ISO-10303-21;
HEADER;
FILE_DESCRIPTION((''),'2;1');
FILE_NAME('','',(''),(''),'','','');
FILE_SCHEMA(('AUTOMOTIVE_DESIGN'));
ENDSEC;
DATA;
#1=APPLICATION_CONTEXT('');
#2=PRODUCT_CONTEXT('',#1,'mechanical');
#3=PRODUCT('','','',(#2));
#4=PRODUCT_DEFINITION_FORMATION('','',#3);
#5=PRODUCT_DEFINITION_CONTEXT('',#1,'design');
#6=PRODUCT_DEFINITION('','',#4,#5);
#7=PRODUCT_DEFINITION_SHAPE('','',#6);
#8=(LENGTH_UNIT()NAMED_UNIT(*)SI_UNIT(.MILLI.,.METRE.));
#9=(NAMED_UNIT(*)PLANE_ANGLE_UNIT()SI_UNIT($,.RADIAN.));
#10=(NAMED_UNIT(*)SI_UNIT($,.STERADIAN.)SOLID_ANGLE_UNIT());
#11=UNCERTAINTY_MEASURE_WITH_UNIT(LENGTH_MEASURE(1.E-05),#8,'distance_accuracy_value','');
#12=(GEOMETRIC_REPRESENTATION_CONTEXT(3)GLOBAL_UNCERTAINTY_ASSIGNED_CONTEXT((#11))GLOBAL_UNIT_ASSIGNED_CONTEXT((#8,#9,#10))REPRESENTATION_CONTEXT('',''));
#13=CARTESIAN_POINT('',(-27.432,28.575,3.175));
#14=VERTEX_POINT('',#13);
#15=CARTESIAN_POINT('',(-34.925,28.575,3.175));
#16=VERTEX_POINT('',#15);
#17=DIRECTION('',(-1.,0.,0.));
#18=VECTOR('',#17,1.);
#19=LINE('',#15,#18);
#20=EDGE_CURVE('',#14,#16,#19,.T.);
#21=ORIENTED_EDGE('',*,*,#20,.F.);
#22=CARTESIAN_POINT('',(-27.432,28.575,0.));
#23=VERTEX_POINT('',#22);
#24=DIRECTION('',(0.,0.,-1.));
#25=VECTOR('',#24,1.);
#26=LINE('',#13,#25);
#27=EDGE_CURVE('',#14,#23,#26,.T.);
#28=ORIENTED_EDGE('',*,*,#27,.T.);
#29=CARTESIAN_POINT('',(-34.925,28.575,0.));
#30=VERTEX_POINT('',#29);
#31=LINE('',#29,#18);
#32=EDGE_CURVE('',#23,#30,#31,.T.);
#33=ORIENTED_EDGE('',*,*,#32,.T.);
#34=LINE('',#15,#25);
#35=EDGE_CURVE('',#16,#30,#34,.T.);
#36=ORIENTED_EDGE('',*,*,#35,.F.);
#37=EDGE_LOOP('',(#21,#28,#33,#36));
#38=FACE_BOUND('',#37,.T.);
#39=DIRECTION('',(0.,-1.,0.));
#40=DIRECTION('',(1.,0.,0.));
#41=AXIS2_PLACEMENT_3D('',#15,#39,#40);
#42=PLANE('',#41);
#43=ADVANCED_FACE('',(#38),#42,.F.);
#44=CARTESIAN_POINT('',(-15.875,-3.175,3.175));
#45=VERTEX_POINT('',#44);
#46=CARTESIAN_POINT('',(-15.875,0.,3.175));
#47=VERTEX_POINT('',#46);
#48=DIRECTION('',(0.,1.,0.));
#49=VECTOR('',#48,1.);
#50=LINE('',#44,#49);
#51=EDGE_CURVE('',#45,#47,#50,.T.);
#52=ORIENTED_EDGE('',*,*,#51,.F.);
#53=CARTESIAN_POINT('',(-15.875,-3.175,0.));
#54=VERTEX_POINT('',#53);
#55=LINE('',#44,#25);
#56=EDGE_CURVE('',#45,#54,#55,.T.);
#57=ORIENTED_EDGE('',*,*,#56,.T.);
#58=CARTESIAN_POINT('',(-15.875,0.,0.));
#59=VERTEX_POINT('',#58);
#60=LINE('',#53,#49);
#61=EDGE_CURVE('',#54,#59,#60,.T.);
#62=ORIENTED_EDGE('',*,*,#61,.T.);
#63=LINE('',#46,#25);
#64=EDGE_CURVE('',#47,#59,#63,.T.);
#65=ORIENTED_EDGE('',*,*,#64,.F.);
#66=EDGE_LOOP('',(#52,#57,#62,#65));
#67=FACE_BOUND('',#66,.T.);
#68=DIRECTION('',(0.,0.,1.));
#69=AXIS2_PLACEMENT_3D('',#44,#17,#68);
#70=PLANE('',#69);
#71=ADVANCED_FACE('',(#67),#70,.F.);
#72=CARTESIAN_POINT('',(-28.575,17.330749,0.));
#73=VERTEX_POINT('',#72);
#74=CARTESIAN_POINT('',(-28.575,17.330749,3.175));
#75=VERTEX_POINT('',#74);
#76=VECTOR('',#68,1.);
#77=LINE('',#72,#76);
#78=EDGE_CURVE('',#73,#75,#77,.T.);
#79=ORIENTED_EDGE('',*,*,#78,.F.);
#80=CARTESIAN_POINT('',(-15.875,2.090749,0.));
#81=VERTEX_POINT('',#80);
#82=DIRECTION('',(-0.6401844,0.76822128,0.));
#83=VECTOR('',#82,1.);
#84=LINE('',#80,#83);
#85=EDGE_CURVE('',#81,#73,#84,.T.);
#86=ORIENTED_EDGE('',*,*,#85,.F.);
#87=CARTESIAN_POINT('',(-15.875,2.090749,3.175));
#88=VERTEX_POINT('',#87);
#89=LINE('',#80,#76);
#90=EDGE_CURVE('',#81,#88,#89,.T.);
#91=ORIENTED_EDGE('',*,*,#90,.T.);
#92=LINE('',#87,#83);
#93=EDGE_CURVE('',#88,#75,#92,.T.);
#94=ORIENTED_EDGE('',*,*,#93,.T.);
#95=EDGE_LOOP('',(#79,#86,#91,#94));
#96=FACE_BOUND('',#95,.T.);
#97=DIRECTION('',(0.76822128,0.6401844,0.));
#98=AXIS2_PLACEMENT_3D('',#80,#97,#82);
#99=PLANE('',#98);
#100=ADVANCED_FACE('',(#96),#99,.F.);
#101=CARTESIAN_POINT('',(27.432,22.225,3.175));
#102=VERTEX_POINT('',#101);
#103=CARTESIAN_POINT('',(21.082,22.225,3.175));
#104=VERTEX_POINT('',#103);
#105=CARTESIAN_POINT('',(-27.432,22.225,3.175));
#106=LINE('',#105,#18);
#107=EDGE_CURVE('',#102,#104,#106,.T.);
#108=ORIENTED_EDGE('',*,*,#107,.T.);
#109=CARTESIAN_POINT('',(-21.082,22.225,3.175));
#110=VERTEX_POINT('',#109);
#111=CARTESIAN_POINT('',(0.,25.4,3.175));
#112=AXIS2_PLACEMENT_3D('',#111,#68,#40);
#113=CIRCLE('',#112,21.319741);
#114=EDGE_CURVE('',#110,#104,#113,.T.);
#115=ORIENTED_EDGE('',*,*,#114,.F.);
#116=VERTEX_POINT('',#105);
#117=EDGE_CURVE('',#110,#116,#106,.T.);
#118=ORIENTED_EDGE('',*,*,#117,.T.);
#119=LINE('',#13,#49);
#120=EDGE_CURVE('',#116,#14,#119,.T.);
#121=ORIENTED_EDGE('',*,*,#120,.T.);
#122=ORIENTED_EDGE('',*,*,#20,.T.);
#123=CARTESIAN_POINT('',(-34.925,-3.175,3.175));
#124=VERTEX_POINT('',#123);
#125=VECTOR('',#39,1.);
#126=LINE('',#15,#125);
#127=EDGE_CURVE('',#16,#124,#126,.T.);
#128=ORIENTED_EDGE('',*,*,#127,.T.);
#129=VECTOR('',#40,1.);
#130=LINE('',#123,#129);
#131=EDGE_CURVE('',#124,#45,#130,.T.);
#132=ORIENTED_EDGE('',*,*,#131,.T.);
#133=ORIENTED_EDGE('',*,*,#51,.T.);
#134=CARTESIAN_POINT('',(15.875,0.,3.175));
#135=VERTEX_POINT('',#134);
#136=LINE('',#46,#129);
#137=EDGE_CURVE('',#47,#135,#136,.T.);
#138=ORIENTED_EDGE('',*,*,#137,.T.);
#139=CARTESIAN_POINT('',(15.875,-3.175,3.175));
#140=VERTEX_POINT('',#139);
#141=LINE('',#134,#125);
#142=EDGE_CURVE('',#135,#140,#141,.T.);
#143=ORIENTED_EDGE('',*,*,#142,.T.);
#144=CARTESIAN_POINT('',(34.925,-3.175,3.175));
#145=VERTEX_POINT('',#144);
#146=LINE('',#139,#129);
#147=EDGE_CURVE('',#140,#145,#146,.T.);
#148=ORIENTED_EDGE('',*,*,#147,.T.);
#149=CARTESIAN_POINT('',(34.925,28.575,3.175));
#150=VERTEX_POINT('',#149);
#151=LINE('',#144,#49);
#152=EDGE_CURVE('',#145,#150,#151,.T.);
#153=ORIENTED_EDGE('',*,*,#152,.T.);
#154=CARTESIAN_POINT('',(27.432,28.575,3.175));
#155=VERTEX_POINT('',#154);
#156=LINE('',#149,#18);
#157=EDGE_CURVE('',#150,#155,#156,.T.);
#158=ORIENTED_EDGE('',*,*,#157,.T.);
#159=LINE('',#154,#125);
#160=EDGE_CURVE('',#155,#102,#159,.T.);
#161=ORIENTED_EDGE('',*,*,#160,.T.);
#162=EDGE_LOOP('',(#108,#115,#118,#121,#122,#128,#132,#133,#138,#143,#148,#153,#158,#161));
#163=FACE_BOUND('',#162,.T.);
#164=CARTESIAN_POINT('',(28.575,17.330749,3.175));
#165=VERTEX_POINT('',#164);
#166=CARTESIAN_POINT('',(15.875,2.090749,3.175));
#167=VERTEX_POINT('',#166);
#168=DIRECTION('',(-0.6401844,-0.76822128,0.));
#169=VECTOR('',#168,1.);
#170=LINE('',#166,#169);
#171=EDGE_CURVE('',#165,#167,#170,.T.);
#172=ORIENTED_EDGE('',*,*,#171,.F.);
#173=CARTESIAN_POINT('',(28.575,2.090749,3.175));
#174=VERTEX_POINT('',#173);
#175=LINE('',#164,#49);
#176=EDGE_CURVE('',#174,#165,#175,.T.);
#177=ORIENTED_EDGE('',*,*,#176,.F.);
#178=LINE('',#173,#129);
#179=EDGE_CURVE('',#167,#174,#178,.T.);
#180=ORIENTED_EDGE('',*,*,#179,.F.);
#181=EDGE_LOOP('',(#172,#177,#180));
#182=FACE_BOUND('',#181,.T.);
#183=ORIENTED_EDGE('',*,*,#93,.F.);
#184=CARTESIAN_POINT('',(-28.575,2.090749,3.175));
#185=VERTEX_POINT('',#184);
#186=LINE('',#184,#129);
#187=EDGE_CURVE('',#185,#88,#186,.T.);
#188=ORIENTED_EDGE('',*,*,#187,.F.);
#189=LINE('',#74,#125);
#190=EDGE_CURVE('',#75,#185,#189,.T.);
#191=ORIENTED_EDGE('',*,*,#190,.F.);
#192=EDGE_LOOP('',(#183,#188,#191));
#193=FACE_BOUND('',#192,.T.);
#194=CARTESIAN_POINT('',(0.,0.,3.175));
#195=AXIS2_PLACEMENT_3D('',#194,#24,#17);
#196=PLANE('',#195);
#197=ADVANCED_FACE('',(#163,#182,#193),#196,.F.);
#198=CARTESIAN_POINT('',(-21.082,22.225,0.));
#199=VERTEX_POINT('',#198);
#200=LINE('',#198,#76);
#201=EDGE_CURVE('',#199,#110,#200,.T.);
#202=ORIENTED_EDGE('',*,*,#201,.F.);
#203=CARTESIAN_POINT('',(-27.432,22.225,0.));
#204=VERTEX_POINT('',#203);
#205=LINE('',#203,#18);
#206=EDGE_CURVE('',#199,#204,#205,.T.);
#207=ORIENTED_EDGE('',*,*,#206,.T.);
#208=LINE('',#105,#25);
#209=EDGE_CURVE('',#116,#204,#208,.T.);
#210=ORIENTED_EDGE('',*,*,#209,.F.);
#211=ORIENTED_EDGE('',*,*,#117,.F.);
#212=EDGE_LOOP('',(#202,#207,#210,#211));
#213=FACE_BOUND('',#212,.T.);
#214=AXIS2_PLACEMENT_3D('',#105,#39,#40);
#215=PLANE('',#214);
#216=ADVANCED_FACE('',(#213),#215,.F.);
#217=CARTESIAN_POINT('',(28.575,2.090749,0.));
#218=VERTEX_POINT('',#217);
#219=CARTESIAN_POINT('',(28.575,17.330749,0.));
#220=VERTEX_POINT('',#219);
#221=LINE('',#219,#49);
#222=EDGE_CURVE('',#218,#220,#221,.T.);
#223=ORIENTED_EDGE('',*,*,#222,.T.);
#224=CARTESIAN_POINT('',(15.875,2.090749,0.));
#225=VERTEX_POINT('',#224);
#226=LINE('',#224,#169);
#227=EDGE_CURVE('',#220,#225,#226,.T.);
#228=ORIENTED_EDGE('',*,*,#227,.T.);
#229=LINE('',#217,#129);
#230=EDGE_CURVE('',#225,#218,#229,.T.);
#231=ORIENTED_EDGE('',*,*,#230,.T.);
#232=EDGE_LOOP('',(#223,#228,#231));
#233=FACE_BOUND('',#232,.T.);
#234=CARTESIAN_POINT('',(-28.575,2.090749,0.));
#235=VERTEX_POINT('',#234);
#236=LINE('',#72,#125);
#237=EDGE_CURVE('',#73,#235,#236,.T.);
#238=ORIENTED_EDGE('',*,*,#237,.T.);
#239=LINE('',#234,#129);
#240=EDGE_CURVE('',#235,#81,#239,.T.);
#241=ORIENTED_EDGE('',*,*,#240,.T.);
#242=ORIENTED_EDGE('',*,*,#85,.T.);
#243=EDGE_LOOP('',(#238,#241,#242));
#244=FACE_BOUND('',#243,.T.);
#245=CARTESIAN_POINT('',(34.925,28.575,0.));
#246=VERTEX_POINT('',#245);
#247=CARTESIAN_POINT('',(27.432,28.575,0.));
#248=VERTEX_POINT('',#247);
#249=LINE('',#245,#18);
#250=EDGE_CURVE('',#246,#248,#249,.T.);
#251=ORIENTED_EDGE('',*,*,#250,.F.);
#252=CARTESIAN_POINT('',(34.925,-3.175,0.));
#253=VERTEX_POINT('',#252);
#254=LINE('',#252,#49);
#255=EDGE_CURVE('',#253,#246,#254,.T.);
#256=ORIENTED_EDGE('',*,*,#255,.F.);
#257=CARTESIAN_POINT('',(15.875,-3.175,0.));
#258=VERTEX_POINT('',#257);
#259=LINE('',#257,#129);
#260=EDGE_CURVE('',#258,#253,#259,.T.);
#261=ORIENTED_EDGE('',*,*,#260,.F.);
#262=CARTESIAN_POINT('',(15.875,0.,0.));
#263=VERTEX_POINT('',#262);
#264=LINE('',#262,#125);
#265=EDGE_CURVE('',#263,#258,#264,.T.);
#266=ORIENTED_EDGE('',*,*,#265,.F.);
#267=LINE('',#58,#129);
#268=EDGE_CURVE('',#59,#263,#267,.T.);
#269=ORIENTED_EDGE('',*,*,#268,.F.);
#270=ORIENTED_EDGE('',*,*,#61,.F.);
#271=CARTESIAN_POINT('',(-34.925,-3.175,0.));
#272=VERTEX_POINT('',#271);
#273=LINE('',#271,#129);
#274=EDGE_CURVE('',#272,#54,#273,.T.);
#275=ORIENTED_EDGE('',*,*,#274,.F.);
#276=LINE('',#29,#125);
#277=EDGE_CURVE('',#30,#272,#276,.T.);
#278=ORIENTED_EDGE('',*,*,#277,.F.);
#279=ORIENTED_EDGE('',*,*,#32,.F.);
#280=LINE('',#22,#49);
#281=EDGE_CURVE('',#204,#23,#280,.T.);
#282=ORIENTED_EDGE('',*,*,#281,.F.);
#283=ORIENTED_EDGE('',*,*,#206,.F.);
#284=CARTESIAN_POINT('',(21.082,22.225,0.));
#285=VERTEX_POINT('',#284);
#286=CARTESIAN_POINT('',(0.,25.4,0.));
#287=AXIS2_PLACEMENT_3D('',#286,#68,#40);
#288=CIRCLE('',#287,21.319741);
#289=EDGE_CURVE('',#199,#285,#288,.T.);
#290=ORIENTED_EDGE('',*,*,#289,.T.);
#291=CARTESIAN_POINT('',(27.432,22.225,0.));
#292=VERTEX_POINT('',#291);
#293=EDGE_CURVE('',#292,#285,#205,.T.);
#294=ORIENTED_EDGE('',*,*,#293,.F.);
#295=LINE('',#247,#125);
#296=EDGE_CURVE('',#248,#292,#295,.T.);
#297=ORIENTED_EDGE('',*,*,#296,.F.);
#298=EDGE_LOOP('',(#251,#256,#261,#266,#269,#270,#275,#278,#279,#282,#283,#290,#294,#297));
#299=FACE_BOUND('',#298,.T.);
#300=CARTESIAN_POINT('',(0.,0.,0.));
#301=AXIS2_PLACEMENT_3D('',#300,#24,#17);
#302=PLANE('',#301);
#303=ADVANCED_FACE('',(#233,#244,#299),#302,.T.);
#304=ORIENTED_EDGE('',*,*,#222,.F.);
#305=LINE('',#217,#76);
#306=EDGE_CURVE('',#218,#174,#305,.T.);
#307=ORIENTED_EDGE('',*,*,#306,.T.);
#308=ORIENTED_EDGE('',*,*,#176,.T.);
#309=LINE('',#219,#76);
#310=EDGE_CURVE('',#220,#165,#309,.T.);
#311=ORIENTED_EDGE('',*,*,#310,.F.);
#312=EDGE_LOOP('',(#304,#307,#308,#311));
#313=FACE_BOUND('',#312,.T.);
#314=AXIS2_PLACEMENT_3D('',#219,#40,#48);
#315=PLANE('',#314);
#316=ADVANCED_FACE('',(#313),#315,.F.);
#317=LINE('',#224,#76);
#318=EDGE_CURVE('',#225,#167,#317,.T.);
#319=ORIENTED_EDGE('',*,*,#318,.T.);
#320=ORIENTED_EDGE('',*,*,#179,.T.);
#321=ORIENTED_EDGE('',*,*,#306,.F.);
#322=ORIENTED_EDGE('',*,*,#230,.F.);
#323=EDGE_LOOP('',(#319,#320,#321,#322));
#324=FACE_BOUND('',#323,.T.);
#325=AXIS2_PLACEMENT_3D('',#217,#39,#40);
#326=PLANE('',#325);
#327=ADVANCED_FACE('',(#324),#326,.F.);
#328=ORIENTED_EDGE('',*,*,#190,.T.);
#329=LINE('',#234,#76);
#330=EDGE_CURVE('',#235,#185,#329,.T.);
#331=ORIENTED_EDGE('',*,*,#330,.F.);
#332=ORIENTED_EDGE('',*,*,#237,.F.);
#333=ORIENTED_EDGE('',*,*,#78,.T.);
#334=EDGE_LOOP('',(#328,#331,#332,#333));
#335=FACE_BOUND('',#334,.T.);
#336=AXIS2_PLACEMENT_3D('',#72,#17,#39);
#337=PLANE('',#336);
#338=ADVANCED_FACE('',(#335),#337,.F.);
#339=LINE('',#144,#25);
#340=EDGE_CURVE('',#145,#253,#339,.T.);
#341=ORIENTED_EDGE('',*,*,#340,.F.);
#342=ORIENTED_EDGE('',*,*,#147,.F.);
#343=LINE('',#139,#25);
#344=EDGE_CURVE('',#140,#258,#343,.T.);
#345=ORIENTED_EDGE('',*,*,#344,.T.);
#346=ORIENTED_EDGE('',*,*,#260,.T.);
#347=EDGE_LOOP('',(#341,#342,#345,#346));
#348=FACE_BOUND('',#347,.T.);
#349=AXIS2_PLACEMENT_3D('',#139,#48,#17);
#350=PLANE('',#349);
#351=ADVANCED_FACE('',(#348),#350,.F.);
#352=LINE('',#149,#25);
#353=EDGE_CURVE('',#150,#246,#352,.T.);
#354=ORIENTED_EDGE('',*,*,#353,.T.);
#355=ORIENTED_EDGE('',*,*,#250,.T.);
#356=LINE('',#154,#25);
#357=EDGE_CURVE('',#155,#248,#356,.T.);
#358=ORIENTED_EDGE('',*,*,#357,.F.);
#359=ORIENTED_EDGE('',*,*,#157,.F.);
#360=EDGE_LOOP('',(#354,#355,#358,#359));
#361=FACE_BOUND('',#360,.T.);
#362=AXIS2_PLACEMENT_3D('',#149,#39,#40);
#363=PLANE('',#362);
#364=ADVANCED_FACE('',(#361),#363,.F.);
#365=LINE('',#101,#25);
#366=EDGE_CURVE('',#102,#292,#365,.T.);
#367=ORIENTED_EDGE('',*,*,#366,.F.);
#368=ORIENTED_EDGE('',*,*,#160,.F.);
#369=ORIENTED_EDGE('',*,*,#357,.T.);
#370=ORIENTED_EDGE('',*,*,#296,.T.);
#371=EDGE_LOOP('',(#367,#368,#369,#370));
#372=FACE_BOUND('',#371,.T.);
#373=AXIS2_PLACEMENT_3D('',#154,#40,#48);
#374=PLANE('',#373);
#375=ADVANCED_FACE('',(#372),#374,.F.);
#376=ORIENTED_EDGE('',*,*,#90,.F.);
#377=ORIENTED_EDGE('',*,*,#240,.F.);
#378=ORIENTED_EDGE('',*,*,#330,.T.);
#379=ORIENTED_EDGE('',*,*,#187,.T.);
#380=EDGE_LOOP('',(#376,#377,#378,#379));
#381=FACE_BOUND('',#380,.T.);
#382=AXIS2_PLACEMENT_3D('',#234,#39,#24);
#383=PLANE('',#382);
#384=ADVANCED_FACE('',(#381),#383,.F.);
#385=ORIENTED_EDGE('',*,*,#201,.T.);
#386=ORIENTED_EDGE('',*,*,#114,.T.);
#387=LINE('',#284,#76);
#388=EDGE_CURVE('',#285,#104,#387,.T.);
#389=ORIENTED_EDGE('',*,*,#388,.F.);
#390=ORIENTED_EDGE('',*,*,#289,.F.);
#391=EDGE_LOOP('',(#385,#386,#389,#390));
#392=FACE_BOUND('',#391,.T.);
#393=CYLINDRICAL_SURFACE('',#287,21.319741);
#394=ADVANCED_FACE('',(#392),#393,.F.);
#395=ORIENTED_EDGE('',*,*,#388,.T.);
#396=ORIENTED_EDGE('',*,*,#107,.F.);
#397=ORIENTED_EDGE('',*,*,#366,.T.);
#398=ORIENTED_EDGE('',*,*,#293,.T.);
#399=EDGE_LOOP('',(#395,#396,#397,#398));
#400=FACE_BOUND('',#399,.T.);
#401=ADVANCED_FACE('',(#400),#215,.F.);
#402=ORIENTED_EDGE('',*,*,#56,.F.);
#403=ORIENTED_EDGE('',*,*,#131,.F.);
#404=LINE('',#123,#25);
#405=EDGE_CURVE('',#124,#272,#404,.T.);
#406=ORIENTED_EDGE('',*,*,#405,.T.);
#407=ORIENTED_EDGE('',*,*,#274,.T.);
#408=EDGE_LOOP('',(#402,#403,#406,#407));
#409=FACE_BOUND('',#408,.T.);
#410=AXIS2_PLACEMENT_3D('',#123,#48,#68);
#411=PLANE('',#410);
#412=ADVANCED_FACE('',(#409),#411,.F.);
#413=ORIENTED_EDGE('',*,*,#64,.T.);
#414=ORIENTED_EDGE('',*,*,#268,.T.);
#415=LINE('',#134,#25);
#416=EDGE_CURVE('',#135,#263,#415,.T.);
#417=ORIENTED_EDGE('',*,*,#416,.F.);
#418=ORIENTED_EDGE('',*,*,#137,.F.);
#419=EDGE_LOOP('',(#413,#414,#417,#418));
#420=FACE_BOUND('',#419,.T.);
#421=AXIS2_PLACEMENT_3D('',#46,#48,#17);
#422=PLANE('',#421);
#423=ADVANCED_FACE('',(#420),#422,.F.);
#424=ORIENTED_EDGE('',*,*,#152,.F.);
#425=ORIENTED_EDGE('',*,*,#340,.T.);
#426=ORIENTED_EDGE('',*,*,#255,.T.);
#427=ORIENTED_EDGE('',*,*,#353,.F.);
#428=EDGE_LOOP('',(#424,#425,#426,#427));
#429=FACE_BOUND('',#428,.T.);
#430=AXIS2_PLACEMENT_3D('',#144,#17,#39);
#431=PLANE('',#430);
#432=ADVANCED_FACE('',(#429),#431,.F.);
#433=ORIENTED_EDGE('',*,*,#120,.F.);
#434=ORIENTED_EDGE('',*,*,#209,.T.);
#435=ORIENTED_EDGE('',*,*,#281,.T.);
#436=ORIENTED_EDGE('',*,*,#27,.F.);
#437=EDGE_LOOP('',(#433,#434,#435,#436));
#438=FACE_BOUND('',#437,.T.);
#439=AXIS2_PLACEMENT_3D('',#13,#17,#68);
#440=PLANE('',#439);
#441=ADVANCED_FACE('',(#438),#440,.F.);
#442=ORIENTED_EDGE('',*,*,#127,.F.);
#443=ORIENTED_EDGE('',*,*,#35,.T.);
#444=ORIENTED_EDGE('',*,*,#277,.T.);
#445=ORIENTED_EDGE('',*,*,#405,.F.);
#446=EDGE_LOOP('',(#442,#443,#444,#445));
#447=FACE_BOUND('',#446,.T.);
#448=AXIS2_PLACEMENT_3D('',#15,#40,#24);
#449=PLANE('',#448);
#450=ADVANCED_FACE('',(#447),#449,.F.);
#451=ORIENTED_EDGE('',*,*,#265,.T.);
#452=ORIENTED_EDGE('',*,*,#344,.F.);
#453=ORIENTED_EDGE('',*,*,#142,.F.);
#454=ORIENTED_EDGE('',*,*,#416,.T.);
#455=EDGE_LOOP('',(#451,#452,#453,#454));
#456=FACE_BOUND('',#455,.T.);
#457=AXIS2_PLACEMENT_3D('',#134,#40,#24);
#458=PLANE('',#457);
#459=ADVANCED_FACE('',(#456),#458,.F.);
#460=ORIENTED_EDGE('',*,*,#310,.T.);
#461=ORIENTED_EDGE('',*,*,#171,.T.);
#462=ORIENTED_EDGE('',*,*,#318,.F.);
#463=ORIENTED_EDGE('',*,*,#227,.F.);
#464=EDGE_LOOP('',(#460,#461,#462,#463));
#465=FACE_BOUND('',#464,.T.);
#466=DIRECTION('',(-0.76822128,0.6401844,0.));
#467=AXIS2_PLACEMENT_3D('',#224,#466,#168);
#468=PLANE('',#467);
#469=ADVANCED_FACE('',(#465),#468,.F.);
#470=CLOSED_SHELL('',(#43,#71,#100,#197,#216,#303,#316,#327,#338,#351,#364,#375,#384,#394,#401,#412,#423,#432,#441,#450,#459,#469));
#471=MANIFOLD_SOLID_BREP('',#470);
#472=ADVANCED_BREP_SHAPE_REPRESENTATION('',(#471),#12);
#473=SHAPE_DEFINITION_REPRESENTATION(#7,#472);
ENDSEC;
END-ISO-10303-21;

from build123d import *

# Parameters (mm, degrees)
BOSS_EXTRUDE1_DEPTH = 3.175
CUT_EXTRUDE1_DEPTH  = 46.236786745


with BuildPart() as part:
    # Sketch1 → Boss-Extrude1 (new body)
    with BuildSketch(Plane.XY):
        Polygon((-34.925, 28.575), (-34.925, -3.175), (-15.875, -3.175), (-15.875, 0), (15.875, 0), (15.875, -3.175), (34.925, -3.175), (34.925, 28.575), (27.432, 28.575), (27.432, 22.225), (-27.432, 22.225), (-27.432, 28.575), align=None)
    extrude(amount=BOSS_EXTRUDE1_DEPTH)

    # Sketch2 → Cut-Extrude1 (cut, through all)
    with BuildSketch(Plane.XY.offset(3.175)):
        with BuildLine():
            Line((-21.082, 22.225), (21.082, 22.225))
            ThreePointArc((21.082, 22.225), (0, 4.080259171), (-21.082, 22.225))
        make_face()
        Polygon((-28.575, 17.330749155), (-28.575, 2.090749155), (-15.875, 2.090749155), align=None)
        Polygon((28.575, 2.090749155), (15.875, 2.090749155), (28.575, 17.330749155), align=None)
    extrude(amount=-CUT_EXTRUDE1_DEPTH, mode=Mode.SUBTRACT)


solid = part.part
